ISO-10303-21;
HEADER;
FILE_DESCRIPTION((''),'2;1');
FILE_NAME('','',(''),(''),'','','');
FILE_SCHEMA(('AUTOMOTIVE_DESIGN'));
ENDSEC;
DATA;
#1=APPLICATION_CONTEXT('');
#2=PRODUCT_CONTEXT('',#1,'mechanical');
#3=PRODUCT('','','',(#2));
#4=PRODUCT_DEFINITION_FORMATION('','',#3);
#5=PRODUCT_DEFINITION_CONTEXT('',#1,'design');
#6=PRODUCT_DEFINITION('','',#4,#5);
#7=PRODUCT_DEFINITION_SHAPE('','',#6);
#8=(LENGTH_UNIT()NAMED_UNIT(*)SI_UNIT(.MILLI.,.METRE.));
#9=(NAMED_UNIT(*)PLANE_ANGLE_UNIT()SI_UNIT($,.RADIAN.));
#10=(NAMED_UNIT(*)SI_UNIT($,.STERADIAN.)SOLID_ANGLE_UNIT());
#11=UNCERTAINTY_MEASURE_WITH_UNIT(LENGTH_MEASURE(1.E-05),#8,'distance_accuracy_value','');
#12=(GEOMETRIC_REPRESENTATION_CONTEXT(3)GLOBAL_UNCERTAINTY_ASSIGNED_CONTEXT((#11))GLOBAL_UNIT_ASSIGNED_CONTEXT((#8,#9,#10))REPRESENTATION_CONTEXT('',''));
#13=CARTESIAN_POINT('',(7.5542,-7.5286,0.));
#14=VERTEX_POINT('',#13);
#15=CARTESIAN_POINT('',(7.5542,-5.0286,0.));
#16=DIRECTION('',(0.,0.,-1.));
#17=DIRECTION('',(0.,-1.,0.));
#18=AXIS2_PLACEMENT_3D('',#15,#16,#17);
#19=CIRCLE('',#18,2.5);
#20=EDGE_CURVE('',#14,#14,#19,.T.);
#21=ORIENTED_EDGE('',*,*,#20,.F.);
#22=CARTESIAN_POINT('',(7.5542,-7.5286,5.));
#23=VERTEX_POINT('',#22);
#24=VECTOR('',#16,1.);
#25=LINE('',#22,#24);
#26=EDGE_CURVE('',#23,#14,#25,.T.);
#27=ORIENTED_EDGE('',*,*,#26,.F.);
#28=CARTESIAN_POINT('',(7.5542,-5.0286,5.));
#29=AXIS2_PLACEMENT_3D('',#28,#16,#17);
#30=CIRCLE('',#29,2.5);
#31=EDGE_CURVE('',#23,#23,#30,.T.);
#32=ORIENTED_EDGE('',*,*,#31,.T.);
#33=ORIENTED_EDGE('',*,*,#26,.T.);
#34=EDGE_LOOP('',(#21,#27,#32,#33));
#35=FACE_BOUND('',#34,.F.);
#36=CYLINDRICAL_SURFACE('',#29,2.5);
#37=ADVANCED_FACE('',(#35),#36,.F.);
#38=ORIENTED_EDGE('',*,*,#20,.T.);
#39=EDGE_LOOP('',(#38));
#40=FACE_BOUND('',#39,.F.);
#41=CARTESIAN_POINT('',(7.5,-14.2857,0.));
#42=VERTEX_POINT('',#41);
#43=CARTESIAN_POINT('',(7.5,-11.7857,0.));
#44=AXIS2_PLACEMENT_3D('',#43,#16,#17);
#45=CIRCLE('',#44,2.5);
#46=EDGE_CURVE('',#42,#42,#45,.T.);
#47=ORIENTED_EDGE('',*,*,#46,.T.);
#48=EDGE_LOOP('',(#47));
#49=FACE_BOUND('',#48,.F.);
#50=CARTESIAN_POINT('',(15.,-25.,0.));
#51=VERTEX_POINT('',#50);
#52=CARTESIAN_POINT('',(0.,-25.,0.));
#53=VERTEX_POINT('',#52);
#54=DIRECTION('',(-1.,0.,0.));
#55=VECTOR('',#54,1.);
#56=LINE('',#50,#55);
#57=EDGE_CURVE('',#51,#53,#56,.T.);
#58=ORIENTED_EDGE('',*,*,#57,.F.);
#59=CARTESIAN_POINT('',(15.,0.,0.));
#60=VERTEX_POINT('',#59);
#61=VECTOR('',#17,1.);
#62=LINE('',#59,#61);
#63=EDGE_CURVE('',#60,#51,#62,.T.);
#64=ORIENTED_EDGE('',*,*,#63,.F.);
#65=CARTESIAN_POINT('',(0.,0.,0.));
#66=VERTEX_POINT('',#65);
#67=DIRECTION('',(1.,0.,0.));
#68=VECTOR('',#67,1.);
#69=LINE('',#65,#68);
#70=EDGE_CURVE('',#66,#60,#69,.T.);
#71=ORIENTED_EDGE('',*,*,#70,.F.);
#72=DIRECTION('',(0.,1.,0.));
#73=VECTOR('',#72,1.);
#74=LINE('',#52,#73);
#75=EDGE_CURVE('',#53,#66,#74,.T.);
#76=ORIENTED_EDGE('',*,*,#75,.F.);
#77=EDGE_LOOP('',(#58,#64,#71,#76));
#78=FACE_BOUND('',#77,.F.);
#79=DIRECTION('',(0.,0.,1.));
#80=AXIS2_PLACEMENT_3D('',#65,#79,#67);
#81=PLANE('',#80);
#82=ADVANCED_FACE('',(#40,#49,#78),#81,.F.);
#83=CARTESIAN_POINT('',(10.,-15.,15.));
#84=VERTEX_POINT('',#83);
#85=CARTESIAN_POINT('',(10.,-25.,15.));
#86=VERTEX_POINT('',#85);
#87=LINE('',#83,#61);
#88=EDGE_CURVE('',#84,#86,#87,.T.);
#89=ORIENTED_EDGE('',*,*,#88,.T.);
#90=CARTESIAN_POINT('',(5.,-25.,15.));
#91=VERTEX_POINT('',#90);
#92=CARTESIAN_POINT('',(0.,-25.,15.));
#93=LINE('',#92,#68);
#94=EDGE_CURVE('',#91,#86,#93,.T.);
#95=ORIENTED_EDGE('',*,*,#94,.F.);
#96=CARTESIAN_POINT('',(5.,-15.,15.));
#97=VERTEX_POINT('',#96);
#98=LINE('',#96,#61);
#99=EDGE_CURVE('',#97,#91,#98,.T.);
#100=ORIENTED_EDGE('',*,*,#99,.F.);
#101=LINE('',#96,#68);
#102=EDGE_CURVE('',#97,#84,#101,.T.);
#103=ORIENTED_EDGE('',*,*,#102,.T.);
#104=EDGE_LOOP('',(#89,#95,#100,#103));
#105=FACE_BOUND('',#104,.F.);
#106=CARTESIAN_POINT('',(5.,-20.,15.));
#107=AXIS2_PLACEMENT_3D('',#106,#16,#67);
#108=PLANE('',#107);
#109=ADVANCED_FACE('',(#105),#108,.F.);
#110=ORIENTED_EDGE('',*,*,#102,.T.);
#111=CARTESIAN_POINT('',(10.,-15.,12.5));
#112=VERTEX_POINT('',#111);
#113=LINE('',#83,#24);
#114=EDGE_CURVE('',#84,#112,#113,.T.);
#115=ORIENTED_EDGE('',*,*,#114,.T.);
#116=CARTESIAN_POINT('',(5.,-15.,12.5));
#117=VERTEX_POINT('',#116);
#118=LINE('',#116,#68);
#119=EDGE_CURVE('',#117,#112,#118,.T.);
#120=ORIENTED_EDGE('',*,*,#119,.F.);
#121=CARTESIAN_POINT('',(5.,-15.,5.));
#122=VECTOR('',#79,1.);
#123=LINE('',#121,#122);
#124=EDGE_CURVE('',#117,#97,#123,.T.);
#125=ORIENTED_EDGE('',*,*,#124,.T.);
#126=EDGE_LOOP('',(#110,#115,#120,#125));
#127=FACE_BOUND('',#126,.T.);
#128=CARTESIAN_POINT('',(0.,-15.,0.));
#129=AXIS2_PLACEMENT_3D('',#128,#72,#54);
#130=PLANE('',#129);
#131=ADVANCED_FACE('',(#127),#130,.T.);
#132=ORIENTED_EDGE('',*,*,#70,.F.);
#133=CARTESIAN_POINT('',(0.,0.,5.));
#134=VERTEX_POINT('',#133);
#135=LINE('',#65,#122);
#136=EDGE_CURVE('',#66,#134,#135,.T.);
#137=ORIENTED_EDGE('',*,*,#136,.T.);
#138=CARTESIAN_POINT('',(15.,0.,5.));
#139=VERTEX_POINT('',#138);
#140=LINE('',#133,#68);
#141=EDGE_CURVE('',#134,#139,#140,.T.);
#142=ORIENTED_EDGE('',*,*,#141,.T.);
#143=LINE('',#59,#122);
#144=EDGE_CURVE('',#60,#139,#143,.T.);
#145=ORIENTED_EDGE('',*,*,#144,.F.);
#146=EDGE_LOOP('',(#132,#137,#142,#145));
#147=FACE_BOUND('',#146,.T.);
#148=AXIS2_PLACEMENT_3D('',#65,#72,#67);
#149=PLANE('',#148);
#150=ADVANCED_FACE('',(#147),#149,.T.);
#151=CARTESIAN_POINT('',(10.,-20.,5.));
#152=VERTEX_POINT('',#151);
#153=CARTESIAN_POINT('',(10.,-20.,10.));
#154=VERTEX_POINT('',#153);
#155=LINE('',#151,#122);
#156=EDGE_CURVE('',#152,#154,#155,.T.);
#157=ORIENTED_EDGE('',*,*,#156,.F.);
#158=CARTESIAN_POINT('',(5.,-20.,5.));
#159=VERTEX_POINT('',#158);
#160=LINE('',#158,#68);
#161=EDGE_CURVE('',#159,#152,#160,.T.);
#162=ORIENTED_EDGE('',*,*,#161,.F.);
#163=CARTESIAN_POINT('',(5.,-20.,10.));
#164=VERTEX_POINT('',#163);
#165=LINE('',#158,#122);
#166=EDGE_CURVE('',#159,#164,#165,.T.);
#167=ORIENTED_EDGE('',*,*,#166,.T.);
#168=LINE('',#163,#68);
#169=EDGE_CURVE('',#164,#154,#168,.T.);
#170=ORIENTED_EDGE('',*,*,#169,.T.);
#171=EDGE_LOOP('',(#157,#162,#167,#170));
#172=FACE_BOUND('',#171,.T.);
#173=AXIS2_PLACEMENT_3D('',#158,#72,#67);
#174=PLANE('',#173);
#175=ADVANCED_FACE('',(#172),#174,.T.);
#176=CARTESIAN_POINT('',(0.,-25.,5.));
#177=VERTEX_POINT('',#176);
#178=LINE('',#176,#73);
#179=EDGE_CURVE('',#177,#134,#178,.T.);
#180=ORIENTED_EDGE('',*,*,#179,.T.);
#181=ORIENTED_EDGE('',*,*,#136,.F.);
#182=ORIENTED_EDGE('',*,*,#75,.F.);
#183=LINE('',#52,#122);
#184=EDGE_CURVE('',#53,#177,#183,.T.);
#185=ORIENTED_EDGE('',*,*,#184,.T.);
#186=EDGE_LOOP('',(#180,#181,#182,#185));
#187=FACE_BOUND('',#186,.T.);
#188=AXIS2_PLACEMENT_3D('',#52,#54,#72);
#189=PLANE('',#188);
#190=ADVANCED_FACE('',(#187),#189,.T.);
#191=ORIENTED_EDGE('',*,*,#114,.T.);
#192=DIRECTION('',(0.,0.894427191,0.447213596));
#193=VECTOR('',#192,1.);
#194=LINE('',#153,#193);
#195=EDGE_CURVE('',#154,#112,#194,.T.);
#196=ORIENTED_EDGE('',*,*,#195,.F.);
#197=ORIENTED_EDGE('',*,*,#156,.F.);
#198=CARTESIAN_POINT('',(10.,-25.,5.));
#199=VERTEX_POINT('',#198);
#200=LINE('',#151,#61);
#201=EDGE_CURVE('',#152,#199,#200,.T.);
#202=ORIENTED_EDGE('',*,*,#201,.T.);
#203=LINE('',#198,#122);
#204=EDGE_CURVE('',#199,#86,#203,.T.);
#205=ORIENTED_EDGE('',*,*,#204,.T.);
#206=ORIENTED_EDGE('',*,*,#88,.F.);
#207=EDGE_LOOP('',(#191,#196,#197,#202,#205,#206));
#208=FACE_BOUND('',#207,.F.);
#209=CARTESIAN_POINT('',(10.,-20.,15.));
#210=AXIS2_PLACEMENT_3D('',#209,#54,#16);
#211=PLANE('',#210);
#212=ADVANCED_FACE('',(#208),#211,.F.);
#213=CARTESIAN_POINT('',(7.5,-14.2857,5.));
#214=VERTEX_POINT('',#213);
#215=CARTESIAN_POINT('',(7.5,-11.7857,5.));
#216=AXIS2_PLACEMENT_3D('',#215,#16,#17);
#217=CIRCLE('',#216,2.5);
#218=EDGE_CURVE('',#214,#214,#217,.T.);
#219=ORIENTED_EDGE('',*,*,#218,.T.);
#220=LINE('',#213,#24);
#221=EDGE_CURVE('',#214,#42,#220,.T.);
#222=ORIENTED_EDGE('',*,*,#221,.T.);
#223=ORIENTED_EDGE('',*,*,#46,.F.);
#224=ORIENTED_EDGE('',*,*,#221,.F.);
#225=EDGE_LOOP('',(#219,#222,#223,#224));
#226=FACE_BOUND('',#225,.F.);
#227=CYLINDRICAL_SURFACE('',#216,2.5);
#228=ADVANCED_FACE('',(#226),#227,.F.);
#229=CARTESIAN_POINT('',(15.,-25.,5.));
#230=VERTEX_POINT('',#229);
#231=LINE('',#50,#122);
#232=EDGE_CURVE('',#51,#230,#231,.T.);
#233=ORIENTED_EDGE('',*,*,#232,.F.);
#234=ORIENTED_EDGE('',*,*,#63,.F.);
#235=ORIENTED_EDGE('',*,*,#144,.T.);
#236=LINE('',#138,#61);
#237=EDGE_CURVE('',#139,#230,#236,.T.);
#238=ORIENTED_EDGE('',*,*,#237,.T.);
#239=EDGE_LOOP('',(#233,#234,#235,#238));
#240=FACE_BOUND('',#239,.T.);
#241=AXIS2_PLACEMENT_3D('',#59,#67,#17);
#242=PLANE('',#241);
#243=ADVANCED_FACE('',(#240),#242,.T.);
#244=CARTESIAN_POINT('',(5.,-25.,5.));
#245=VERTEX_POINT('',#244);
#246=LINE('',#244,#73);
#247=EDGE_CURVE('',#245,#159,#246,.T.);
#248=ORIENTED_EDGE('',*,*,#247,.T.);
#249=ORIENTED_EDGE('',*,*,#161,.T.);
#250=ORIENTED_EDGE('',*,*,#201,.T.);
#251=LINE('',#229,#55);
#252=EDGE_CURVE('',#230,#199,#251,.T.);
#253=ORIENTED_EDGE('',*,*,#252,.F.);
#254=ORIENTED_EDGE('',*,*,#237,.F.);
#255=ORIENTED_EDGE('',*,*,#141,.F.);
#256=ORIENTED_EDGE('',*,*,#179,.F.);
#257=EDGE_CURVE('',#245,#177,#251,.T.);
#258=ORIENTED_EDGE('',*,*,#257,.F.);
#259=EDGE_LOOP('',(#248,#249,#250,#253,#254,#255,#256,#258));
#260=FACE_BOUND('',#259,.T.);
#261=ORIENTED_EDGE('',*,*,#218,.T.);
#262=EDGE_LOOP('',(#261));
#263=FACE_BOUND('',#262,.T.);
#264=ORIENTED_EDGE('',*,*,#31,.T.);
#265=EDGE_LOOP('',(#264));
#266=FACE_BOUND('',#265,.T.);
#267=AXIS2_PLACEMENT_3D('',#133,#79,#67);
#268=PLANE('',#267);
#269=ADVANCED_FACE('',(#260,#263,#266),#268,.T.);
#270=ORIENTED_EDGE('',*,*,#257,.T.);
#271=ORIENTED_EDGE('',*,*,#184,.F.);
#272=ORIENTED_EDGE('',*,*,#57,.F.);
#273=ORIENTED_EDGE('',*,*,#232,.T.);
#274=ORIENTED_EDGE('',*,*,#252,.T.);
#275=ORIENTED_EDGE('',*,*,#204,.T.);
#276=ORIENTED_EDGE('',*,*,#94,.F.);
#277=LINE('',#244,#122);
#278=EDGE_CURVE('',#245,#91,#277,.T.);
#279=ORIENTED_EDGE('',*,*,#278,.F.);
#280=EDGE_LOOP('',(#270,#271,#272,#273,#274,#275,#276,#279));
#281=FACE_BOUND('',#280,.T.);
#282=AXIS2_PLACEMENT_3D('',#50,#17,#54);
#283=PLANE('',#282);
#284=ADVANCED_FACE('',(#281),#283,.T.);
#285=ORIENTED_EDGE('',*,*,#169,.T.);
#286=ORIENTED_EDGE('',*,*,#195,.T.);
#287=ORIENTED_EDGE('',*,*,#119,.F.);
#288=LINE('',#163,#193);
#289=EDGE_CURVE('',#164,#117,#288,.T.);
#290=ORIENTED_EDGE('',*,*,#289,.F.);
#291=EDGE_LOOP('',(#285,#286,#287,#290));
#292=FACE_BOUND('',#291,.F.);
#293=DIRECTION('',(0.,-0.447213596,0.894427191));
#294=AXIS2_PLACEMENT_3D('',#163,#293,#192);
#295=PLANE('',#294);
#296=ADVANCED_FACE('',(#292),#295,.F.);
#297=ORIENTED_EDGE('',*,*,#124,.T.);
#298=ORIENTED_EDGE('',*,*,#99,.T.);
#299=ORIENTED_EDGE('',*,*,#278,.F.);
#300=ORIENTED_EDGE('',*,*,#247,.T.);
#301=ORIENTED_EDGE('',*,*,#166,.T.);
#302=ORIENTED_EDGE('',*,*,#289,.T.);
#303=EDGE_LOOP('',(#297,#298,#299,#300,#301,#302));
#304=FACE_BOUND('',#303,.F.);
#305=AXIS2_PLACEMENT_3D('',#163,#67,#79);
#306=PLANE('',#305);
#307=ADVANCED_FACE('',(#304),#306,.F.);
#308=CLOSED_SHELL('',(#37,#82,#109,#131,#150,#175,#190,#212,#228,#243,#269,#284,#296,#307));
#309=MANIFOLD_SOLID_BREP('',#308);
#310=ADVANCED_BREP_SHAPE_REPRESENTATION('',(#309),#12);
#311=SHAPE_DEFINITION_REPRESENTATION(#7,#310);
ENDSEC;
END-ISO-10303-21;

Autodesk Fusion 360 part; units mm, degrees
sketch "Skizze1" plane through (0, 0, 0) normal (0, 0, 1) x (1, 0, 0)
  line L0 (0, 0) -> (15, 0)
  line L1 (15, 0) -> (15, -25)
  line L2 (15, -25) -> (0, -25)
  line L3 (0, -25) -> (0, 0)
extrude "Extrusion1" add sketch "Skizze1" along normal blind 5
sketch "Skizze2" plane through (0, 0, 5) normal (0, 0, 1) x (-1, 0, 0)
  line L0 (0, 25) -> (-15, 25)
  line L1 (-15, 25) -> (-15, 0)
  line L2 (-15, 0) -> (0, 0)
  line L3 (0, 0) -> (0, 25)
  line L4 (-5, 20) -> (-10, 20)
  line L5 (-10, 20) -> (-10, 25)
  line L6 (-10, 25) -> (-5, 25)
  line L7 (-5, 25) -> (-5, 20)
  dimension "d3" = 5
extrude "Extrusion2" add sketch "Skizze2" along normal blind 10 contours L0 L4 L5 L6 L7
sketch "Skizze3" plane through (0, -20, 0) normal (0, 1, 0) x (-1, 0, 0)
  line L0 (-10, 5) -> (-5, 5)
  line L1 (-5, 5) -> (-5, 15)
  line L2 (-5, 15) -> (-10, 15)
  line L3 (-10, 15) -> (-10, 5)
  line L4 (-10, 15) -> (-5, 15)
  line L5 (-5, 15) -> (-5, 10)
  line L6 (-5, 10) -> (-10, 10)
  line L7 (-10, 10) -> (-10, 15)
extrude "Extrusion3" add sketch "Skizze3" along normal blind 5 contours L1 L2 L3 L4 L5 L6 L7
hole "Bohrung1" at (7.5542, -5.0286, 5) direction (0, 0, -1) diameter 5 depth 15 tip angle 118
hole "Bohrung2" at (7.5, -11.7857, 5) direction (0, 0, -1) diameter 5 depth 15 tip angle 118
sketch "Skizze4" plane through (5, 0, 0) normal (-1, 0, 0) x (0, -1, 0)
  line L0 (20, 5) -> (25, 5)
  line L1 (25, 5) -> (25, 15)
  line L2 (25, 15) -> (15, 15)
  line L3 (15, 15) -> (15, 10)
  line L4 (15, 10) -> (20, 10)
  line L5 (20, 10) -> (20, 5)
  line L6 (20, 10) -> (15, 12.5)
  line L7 (15, 10) -> (20, 10)
extrude "Extrusion4" cut sketch "Skizze4" against normal blind 5 contours L3 L4 L6 L7
